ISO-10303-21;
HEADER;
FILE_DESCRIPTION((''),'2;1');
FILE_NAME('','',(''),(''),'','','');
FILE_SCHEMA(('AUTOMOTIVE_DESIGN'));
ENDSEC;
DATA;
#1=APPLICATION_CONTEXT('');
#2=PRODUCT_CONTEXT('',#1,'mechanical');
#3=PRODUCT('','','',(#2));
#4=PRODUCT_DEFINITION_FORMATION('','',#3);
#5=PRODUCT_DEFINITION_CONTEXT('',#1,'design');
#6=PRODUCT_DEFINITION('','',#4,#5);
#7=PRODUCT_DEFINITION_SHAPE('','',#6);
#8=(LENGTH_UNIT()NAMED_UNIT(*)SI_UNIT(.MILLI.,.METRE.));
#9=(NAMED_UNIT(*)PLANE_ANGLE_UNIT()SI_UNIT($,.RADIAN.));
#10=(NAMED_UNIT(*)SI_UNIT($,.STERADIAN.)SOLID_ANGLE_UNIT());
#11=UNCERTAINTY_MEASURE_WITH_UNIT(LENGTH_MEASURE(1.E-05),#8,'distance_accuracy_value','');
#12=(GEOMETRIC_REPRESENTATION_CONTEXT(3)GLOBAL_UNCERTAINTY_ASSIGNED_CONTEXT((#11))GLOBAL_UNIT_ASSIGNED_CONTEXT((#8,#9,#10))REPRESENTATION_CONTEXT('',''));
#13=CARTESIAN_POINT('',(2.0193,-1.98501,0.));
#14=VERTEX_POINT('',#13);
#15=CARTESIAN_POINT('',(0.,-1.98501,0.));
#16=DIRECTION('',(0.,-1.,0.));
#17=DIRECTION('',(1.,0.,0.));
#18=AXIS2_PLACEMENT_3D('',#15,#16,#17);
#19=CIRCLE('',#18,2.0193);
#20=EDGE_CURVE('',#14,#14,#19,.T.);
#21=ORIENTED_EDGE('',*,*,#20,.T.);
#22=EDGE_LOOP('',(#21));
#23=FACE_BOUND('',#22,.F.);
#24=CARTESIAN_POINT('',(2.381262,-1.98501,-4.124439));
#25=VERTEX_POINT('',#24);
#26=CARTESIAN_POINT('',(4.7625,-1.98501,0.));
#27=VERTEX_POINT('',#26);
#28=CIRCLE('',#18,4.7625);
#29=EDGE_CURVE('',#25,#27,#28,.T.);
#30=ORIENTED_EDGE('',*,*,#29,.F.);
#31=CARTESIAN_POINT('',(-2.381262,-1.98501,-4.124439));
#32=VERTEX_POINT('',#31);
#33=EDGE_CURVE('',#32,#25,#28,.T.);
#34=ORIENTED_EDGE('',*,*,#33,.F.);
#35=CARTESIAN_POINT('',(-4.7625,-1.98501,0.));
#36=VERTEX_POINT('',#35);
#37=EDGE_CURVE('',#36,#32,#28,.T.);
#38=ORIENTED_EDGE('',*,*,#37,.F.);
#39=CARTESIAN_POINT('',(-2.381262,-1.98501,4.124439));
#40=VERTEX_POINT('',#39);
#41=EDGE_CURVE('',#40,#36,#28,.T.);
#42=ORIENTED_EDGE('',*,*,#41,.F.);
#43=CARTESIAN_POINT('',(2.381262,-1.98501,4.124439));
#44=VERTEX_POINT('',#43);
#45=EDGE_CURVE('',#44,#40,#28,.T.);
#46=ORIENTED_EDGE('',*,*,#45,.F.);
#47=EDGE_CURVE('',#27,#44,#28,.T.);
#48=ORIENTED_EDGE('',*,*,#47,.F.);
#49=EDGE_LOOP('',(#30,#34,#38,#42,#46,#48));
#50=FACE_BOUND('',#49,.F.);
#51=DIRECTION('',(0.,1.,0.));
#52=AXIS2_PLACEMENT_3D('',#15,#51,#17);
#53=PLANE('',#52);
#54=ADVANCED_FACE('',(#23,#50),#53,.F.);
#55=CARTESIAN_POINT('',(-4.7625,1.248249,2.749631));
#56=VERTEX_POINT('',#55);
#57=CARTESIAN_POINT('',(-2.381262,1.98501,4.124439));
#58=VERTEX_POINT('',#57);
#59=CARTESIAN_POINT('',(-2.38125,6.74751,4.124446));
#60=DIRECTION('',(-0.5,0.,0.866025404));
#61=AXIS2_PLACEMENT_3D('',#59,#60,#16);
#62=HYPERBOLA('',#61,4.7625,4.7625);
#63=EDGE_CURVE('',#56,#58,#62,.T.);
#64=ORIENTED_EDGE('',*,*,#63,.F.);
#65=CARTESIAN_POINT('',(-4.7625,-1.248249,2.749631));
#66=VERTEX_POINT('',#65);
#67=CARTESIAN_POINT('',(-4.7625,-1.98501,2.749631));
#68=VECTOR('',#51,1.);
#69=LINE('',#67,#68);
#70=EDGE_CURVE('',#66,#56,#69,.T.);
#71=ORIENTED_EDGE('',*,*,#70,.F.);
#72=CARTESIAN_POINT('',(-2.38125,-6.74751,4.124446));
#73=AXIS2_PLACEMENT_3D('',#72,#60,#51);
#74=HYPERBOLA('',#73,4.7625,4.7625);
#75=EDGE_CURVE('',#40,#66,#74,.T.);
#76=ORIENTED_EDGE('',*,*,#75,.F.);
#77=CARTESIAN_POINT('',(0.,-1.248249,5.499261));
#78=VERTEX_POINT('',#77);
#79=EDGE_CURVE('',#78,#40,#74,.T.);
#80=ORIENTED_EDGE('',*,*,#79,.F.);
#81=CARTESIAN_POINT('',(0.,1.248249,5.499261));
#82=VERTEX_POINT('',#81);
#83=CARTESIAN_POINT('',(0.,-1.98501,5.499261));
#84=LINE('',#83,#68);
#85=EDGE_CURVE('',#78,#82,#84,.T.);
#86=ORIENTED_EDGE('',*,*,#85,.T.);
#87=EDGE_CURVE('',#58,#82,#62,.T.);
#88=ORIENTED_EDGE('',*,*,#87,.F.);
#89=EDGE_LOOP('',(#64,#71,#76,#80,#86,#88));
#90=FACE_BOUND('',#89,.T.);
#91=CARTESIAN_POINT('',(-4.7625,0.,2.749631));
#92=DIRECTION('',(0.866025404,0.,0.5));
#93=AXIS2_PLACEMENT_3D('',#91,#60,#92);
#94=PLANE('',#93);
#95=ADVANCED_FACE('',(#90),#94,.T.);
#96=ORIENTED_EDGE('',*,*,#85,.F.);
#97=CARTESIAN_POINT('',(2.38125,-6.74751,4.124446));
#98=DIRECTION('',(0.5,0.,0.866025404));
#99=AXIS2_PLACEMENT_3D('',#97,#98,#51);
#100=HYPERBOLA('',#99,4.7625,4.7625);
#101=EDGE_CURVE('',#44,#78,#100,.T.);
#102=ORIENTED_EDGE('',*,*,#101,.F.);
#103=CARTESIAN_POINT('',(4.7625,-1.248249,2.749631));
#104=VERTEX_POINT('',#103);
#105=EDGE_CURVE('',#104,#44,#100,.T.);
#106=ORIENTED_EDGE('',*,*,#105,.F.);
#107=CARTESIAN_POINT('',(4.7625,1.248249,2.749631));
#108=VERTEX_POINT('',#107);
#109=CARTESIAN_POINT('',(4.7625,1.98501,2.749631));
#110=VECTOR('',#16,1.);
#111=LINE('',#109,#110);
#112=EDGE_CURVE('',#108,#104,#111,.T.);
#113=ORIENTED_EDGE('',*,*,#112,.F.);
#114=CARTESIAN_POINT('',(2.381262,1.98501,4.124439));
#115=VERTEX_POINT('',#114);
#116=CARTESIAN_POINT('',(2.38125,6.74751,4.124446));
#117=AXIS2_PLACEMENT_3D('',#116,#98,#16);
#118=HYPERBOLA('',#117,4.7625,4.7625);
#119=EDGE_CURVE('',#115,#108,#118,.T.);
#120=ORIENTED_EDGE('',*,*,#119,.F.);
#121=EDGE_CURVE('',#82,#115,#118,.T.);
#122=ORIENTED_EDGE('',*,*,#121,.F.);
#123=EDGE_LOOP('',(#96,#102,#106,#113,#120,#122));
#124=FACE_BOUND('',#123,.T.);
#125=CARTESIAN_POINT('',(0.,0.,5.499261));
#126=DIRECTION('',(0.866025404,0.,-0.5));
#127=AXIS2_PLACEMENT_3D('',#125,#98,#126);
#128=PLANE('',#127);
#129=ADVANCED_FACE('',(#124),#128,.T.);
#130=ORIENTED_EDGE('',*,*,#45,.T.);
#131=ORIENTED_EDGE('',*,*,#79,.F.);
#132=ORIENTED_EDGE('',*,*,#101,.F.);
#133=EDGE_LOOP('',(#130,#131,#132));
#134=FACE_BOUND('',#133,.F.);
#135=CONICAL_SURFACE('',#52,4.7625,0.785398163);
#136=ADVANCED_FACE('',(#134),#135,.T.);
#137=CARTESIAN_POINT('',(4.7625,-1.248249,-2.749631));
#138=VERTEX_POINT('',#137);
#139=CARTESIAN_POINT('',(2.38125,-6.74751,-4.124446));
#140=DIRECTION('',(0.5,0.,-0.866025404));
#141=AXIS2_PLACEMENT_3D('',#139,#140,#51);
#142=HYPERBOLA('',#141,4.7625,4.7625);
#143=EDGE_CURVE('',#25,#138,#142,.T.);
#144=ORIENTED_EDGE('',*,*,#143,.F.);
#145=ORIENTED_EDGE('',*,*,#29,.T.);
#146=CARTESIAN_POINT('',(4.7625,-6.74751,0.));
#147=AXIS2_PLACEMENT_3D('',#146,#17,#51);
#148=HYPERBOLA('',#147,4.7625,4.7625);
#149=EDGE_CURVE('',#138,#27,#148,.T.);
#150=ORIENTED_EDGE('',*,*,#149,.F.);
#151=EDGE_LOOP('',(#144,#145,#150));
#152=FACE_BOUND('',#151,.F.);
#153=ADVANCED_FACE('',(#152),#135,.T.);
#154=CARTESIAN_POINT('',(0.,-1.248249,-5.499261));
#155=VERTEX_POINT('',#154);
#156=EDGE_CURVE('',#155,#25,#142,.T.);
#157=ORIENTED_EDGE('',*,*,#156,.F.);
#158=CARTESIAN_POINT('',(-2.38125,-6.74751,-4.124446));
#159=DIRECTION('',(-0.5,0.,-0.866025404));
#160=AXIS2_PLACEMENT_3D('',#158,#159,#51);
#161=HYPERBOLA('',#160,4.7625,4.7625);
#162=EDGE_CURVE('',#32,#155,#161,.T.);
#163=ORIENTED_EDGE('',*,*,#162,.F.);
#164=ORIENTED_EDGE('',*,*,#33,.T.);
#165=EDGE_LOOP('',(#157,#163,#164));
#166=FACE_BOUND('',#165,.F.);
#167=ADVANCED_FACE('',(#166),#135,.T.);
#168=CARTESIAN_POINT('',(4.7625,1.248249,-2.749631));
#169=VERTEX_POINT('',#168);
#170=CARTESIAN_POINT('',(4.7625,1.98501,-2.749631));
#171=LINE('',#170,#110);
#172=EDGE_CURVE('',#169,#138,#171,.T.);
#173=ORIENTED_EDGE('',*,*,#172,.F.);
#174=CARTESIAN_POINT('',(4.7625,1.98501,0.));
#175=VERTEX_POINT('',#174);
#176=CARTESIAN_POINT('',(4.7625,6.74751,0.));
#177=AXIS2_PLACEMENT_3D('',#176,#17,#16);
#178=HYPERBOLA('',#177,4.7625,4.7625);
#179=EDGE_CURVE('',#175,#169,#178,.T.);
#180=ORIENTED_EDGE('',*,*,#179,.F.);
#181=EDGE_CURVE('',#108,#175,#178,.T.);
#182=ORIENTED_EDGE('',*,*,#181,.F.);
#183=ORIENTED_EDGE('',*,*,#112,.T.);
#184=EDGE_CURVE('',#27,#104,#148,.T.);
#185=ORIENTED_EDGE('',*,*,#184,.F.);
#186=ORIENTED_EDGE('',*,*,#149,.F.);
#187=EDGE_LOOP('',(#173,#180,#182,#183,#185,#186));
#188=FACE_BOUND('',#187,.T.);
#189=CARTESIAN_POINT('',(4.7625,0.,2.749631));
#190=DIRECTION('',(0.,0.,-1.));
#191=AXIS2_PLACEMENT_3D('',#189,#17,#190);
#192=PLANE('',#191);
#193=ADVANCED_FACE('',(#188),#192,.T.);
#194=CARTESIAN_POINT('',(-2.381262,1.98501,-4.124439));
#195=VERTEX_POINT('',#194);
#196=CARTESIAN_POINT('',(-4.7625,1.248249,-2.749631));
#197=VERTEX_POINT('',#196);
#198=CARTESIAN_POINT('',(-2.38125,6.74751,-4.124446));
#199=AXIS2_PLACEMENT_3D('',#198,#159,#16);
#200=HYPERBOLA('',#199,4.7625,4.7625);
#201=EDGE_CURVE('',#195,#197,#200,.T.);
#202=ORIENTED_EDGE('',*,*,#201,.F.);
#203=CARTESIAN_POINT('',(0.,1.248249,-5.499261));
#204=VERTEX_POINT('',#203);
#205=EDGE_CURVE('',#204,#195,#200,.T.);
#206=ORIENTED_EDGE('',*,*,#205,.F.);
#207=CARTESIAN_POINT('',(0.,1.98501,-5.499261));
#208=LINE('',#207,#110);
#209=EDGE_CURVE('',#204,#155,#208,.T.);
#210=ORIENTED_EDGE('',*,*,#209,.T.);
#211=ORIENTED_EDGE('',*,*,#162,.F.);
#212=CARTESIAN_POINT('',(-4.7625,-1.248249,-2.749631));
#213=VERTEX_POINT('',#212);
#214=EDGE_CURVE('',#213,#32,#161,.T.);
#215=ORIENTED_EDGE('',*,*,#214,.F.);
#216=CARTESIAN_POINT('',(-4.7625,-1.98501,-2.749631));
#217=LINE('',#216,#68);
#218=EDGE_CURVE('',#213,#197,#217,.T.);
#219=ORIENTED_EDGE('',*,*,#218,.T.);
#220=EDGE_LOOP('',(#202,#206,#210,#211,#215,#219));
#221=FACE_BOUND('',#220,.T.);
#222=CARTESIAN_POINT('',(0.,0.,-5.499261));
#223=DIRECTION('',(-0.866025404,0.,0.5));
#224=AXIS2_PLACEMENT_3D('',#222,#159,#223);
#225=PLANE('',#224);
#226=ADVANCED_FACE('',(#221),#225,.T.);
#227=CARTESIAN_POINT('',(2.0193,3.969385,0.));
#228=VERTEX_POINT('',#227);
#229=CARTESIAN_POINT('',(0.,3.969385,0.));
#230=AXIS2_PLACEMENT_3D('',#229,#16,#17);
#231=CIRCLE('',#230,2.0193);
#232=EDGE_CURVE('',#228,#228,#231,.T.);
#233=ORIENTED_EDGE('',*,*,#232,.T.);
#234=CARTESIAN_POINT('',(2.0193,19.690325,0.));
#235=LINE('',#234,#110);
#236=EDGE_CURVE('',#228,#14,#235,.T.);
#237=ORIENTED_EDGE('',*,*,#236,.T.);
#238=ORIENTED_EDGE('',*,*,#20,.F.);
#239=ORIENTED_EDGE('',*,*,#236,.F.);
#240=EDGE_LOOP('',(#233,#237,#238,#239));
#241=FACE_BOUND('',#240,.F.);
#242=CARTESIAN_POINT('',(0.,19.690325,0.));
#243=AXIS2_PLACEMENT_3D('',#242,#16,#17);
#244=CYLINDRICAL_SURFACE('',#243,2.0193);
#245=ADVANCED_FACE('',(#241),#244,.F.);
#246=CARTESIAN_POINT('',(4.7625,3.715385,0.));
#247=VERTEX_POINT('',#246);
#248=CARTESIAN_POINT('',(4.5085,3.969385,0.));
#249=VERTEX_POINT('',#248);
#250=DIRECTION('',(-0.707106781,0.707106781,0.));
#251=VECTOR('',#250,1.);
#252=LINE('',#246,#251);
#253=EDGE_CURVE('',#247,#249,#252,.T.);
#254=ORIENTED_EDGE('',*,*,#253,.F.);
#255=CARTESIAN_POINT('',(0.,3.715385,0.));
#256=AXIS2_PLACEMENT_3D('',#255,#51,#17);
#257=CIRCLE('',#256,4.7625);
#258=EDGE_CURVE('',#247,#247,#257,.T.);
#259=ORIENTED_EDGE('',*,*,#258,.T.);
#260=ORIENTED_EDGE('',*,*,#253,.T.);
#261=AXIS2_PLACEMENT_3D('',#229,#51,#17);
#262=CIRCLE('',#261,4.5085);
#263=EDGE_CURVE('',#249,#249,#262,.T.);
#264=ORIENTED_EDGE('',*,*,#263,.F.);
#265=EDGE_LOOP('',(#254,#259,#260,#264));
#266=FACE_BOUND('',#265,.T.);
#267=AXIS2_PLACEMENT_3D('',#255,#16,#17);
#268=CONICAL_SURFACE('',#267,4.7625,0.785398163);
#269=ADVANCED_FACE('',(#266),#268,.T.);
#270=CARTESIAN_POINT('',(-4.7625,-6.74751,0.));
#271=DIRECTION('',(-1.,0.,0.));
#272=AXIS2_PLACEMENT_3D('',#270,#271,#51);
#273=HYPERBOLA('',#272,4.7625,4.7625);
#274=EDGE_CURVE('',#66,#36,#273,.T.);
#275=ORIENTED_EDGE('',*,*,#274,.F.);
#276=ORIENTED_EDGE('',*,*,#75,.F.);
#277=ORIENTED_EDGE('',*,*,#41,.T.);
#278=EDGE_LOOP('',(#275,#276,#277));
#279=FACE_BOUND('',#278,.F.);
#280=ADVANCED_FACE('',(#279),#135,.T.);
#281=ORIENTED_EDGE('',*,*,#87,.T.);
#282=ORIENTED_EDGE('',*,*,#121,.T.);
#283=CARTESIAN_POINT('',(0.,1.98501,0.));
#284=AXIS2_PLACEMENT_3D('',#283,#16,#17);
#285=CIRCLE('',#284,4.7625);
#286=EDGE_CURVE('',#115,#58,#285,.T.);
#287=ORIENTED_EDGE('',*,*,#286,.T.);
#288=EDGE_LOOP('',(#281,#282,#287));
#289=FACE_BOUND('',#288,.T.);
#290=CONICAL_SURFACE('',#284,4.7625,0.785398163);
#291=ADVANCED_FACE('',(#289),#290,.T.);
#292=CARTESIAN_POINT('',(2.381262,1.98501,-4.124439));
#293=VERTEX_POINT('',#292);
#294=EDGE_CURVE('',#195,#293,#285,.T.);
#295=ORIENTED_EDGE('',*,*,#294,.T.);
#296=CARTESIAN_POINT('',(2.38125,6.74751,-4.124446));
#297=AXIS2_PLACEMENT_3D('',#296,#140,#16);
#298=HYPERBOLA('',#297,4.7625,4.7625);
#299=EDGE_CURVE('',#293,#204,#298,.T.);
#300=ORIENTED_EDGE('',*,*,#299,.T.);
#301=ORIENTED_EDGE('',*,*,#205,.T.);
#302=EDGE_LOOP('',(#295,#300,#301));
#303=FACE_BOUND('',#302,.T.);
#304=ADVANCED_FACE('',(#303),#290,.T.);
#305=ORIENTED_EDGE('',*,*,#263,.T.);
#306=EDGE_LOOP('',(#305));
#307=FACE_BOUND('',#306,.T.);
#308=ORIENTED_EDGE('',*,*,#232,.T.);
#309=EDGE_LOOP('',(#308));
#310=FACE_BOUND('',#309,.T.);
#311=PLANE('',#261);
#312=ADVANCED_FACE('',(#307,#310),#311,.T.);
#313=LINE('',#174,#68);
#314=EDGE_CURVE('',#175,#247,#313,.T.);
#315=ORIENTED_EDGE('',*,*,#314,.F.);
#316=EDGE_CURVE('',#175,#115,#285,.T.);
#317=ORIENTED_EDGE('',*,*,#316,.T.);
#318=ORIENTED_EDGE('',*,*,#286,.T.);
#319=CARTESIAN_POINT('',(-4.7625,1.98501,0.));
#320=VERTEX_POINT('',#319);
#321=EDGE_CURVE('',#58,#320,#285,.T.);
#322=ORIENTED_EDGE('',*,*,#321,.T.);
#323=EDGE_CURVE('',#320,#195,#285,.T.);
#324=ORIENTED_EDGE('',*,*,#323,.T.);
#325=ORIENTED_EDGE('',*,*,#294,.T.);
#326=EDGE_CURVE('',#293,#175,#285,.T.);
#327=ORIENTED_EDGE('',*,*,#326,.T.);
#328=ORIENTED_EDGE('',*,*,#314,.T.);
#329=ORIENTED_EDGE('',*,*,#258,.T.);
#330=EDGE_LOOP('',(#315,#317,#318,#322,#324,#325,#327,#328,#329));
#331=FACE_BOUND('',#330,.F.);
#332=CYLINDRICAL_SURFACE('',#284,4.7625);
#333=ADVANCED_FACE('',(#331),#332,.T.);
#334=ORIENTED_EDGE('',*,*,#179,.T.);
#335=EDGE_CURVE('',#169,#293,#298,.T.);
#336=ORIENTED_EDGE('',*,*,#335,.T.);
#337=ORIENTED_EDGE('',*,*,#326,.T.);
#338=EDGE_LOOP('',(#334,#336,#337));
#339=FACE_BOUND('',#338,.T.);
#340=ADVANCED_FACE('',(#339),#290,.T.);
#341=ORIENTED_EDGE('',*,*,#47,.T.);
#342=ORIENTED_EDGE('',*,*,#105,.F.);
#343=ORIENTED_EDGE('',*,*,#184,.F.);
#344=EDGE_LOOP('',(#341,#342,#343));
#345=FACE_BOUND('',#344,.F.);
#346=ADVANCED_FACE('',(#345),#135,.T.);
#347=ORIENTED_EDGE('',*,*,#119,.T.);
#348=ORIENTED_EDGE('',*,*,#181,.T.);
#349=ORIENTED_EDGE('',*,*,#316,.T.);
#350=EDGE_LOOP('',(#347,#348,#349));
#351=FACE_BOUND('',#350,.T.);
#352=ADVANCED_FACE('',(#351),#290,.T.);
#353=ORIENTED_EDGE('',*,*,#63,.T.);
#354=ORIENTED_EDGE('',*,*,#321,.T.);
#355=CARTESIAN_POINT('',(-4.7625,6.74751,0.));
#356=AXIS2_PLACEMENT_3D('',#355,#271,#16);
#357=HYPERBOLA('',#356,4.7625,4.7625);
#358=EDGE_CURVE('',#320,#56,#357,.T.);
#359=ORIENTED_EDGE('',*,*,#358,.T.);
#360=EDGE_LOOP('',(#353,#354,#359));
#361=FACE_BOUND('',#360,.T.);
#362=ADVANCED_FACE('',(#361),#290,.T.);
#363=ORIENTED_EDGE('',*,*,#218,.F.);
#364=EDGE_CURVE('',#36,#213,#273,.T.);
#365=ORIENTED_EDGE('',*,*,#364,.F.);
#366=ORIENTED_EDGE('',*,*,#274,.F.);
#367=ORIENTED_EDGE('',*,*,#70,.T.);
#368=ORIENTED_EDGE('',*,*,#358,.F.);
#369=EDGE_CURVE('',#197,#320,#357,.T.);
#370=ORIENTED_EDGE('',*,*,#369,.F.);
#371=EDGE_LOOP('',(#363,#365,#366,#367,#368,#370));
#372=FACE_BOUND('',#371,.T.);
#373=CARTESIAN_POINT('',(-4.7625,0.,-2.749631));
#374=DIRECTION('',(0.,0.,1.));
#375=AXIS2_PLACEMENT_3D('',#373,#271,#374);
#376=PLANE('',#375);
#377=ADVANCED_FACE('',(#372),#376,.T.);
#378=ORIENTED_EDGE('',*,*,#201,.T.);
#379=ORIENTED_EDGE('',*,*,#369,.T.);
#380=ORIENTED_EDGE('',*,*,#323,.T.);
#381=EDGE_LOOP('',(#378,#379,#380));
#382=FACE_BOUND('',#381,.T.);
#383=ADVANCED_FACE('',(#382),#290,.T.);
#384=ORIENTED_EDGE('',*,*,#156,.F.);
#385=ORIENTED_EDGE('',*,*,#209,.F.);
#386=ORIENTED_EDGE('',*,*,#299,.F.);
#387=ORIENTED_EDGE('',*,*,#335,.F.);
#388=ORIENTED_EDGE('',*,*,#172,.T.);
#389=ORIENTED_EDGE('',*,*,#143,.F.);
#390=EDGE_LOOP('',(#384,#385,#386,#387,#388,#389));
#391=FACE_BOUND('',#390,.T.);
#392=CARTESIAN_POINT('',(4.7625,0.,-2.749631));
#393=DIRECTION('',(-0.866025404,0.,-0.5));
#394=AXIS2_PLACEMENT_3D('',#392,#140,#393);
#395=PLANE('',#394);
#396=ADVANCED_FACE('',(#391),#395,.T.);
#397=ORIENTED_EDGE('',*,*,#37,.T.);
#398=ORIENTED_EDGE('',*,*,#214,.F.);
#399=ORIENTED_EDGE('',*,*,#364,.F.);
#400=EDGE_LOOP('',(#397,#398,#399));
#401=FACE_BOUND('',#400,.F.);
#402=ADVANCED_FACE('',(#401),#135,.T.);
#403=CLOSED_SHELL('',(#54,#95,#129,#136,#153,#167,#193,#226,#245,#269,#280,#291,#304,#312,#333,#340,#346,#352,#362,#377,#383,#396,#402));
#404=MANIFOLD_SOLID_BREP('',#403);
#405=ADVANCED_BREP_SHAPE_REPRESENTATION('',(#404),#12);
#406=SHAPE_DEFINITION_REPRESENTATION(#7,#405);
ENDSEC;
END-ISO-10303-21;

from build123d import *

# Parameters (mm, degrees)
EXTRUDE1_DEPTH              = 1.98501
SKETCH2_OUTSIDE_W           = 22.481
SKETCH2_OUTSIDE_H           = 23.954
SKETCH2_OUTSIDE_R           = 4.7625
EXTRUDE3_DEPTH              = 3.97002
EXTRUDE3_TAPER              = 45
SKETCH3_R                   = 4.7625
EXTRUDE4_DEPTH              = 1.984375
F_21_0_159_DIAMETER_HOLE1_D = 4.0386
CHAMFER1_SIZE               = 0.254


with BuildPart() as part:
    # Sketch1 → Extrude1 (new body, symmetric)
    with BuildSketch(Plane(origin=(0, 0, 0), x_dir=(1, 0, 0), z_dir=(0, 1, 0))):
        Polygon((0, 5.499261314), (-4.7625, 2.749630657), (-4.7625, -2.749630657), (0, -5.499261314), (4.7625, -2.749630657), (4.7625, 2.749630657), align=None)
    extrude(amount=EXTRUDE1_DEPTH, both=True)

    # Sketch2 outside → Extrude3 (cut)
    with BuildSketch(Plane(origin=(0, 1.98501, 0), x_dir=(1, 0, 0), z_dir=(0, 1, 0))):
        with Locations((-0.0005, 0)):
            Rectangle(SKETCH2_OUTSIDE_W, SKETCH2_OUTSIDE_H)
        Circle(SKETCH2_OUTSIDE_R, mode=Mode.SUBTRACT)
    extrude3 = extrude(amount=-EXTRUDE3_DEPTH, taper=EXTRUDE3_TAPER, mode=Mode.SUBTRACT)

    # Mirror1: Extrude3 across plane
    add(extrude3.mirror(Plane.ZX), mode=Mode.SUBTRACT)

    # Sketch3 → Extrude4 (add)
    with BuildSketch(Plane(origin=(0, 1.98501, 0), x_dir=(1, 0, 0), z_dir=(0, 1, 0))):
        Circle(SKETCH3_R)
    extrude(amount=EXTRUDE4_DEPTH)

    # #21 (0.159) Diameter Hole1 (through all)
    with Locations(Plane(origin=(0, 3.969385, 0), x_dir=(-1, 0, 0), z_dir=(0, 1, 0))):
        with Locations((0, 0)):
            Hole(F_21_0_159_DIAMETER_HOLE1_D / 2)

    # Chamfer1
    chamfer1_edges = [part.edges().sort_by_distance(p)[0] for p in [
        (-4.7625, 3.969385, 0),
    ]]
    chamfer(chamfer1_edges, length=CHAMFER1_SIZE)


solid = part.part
